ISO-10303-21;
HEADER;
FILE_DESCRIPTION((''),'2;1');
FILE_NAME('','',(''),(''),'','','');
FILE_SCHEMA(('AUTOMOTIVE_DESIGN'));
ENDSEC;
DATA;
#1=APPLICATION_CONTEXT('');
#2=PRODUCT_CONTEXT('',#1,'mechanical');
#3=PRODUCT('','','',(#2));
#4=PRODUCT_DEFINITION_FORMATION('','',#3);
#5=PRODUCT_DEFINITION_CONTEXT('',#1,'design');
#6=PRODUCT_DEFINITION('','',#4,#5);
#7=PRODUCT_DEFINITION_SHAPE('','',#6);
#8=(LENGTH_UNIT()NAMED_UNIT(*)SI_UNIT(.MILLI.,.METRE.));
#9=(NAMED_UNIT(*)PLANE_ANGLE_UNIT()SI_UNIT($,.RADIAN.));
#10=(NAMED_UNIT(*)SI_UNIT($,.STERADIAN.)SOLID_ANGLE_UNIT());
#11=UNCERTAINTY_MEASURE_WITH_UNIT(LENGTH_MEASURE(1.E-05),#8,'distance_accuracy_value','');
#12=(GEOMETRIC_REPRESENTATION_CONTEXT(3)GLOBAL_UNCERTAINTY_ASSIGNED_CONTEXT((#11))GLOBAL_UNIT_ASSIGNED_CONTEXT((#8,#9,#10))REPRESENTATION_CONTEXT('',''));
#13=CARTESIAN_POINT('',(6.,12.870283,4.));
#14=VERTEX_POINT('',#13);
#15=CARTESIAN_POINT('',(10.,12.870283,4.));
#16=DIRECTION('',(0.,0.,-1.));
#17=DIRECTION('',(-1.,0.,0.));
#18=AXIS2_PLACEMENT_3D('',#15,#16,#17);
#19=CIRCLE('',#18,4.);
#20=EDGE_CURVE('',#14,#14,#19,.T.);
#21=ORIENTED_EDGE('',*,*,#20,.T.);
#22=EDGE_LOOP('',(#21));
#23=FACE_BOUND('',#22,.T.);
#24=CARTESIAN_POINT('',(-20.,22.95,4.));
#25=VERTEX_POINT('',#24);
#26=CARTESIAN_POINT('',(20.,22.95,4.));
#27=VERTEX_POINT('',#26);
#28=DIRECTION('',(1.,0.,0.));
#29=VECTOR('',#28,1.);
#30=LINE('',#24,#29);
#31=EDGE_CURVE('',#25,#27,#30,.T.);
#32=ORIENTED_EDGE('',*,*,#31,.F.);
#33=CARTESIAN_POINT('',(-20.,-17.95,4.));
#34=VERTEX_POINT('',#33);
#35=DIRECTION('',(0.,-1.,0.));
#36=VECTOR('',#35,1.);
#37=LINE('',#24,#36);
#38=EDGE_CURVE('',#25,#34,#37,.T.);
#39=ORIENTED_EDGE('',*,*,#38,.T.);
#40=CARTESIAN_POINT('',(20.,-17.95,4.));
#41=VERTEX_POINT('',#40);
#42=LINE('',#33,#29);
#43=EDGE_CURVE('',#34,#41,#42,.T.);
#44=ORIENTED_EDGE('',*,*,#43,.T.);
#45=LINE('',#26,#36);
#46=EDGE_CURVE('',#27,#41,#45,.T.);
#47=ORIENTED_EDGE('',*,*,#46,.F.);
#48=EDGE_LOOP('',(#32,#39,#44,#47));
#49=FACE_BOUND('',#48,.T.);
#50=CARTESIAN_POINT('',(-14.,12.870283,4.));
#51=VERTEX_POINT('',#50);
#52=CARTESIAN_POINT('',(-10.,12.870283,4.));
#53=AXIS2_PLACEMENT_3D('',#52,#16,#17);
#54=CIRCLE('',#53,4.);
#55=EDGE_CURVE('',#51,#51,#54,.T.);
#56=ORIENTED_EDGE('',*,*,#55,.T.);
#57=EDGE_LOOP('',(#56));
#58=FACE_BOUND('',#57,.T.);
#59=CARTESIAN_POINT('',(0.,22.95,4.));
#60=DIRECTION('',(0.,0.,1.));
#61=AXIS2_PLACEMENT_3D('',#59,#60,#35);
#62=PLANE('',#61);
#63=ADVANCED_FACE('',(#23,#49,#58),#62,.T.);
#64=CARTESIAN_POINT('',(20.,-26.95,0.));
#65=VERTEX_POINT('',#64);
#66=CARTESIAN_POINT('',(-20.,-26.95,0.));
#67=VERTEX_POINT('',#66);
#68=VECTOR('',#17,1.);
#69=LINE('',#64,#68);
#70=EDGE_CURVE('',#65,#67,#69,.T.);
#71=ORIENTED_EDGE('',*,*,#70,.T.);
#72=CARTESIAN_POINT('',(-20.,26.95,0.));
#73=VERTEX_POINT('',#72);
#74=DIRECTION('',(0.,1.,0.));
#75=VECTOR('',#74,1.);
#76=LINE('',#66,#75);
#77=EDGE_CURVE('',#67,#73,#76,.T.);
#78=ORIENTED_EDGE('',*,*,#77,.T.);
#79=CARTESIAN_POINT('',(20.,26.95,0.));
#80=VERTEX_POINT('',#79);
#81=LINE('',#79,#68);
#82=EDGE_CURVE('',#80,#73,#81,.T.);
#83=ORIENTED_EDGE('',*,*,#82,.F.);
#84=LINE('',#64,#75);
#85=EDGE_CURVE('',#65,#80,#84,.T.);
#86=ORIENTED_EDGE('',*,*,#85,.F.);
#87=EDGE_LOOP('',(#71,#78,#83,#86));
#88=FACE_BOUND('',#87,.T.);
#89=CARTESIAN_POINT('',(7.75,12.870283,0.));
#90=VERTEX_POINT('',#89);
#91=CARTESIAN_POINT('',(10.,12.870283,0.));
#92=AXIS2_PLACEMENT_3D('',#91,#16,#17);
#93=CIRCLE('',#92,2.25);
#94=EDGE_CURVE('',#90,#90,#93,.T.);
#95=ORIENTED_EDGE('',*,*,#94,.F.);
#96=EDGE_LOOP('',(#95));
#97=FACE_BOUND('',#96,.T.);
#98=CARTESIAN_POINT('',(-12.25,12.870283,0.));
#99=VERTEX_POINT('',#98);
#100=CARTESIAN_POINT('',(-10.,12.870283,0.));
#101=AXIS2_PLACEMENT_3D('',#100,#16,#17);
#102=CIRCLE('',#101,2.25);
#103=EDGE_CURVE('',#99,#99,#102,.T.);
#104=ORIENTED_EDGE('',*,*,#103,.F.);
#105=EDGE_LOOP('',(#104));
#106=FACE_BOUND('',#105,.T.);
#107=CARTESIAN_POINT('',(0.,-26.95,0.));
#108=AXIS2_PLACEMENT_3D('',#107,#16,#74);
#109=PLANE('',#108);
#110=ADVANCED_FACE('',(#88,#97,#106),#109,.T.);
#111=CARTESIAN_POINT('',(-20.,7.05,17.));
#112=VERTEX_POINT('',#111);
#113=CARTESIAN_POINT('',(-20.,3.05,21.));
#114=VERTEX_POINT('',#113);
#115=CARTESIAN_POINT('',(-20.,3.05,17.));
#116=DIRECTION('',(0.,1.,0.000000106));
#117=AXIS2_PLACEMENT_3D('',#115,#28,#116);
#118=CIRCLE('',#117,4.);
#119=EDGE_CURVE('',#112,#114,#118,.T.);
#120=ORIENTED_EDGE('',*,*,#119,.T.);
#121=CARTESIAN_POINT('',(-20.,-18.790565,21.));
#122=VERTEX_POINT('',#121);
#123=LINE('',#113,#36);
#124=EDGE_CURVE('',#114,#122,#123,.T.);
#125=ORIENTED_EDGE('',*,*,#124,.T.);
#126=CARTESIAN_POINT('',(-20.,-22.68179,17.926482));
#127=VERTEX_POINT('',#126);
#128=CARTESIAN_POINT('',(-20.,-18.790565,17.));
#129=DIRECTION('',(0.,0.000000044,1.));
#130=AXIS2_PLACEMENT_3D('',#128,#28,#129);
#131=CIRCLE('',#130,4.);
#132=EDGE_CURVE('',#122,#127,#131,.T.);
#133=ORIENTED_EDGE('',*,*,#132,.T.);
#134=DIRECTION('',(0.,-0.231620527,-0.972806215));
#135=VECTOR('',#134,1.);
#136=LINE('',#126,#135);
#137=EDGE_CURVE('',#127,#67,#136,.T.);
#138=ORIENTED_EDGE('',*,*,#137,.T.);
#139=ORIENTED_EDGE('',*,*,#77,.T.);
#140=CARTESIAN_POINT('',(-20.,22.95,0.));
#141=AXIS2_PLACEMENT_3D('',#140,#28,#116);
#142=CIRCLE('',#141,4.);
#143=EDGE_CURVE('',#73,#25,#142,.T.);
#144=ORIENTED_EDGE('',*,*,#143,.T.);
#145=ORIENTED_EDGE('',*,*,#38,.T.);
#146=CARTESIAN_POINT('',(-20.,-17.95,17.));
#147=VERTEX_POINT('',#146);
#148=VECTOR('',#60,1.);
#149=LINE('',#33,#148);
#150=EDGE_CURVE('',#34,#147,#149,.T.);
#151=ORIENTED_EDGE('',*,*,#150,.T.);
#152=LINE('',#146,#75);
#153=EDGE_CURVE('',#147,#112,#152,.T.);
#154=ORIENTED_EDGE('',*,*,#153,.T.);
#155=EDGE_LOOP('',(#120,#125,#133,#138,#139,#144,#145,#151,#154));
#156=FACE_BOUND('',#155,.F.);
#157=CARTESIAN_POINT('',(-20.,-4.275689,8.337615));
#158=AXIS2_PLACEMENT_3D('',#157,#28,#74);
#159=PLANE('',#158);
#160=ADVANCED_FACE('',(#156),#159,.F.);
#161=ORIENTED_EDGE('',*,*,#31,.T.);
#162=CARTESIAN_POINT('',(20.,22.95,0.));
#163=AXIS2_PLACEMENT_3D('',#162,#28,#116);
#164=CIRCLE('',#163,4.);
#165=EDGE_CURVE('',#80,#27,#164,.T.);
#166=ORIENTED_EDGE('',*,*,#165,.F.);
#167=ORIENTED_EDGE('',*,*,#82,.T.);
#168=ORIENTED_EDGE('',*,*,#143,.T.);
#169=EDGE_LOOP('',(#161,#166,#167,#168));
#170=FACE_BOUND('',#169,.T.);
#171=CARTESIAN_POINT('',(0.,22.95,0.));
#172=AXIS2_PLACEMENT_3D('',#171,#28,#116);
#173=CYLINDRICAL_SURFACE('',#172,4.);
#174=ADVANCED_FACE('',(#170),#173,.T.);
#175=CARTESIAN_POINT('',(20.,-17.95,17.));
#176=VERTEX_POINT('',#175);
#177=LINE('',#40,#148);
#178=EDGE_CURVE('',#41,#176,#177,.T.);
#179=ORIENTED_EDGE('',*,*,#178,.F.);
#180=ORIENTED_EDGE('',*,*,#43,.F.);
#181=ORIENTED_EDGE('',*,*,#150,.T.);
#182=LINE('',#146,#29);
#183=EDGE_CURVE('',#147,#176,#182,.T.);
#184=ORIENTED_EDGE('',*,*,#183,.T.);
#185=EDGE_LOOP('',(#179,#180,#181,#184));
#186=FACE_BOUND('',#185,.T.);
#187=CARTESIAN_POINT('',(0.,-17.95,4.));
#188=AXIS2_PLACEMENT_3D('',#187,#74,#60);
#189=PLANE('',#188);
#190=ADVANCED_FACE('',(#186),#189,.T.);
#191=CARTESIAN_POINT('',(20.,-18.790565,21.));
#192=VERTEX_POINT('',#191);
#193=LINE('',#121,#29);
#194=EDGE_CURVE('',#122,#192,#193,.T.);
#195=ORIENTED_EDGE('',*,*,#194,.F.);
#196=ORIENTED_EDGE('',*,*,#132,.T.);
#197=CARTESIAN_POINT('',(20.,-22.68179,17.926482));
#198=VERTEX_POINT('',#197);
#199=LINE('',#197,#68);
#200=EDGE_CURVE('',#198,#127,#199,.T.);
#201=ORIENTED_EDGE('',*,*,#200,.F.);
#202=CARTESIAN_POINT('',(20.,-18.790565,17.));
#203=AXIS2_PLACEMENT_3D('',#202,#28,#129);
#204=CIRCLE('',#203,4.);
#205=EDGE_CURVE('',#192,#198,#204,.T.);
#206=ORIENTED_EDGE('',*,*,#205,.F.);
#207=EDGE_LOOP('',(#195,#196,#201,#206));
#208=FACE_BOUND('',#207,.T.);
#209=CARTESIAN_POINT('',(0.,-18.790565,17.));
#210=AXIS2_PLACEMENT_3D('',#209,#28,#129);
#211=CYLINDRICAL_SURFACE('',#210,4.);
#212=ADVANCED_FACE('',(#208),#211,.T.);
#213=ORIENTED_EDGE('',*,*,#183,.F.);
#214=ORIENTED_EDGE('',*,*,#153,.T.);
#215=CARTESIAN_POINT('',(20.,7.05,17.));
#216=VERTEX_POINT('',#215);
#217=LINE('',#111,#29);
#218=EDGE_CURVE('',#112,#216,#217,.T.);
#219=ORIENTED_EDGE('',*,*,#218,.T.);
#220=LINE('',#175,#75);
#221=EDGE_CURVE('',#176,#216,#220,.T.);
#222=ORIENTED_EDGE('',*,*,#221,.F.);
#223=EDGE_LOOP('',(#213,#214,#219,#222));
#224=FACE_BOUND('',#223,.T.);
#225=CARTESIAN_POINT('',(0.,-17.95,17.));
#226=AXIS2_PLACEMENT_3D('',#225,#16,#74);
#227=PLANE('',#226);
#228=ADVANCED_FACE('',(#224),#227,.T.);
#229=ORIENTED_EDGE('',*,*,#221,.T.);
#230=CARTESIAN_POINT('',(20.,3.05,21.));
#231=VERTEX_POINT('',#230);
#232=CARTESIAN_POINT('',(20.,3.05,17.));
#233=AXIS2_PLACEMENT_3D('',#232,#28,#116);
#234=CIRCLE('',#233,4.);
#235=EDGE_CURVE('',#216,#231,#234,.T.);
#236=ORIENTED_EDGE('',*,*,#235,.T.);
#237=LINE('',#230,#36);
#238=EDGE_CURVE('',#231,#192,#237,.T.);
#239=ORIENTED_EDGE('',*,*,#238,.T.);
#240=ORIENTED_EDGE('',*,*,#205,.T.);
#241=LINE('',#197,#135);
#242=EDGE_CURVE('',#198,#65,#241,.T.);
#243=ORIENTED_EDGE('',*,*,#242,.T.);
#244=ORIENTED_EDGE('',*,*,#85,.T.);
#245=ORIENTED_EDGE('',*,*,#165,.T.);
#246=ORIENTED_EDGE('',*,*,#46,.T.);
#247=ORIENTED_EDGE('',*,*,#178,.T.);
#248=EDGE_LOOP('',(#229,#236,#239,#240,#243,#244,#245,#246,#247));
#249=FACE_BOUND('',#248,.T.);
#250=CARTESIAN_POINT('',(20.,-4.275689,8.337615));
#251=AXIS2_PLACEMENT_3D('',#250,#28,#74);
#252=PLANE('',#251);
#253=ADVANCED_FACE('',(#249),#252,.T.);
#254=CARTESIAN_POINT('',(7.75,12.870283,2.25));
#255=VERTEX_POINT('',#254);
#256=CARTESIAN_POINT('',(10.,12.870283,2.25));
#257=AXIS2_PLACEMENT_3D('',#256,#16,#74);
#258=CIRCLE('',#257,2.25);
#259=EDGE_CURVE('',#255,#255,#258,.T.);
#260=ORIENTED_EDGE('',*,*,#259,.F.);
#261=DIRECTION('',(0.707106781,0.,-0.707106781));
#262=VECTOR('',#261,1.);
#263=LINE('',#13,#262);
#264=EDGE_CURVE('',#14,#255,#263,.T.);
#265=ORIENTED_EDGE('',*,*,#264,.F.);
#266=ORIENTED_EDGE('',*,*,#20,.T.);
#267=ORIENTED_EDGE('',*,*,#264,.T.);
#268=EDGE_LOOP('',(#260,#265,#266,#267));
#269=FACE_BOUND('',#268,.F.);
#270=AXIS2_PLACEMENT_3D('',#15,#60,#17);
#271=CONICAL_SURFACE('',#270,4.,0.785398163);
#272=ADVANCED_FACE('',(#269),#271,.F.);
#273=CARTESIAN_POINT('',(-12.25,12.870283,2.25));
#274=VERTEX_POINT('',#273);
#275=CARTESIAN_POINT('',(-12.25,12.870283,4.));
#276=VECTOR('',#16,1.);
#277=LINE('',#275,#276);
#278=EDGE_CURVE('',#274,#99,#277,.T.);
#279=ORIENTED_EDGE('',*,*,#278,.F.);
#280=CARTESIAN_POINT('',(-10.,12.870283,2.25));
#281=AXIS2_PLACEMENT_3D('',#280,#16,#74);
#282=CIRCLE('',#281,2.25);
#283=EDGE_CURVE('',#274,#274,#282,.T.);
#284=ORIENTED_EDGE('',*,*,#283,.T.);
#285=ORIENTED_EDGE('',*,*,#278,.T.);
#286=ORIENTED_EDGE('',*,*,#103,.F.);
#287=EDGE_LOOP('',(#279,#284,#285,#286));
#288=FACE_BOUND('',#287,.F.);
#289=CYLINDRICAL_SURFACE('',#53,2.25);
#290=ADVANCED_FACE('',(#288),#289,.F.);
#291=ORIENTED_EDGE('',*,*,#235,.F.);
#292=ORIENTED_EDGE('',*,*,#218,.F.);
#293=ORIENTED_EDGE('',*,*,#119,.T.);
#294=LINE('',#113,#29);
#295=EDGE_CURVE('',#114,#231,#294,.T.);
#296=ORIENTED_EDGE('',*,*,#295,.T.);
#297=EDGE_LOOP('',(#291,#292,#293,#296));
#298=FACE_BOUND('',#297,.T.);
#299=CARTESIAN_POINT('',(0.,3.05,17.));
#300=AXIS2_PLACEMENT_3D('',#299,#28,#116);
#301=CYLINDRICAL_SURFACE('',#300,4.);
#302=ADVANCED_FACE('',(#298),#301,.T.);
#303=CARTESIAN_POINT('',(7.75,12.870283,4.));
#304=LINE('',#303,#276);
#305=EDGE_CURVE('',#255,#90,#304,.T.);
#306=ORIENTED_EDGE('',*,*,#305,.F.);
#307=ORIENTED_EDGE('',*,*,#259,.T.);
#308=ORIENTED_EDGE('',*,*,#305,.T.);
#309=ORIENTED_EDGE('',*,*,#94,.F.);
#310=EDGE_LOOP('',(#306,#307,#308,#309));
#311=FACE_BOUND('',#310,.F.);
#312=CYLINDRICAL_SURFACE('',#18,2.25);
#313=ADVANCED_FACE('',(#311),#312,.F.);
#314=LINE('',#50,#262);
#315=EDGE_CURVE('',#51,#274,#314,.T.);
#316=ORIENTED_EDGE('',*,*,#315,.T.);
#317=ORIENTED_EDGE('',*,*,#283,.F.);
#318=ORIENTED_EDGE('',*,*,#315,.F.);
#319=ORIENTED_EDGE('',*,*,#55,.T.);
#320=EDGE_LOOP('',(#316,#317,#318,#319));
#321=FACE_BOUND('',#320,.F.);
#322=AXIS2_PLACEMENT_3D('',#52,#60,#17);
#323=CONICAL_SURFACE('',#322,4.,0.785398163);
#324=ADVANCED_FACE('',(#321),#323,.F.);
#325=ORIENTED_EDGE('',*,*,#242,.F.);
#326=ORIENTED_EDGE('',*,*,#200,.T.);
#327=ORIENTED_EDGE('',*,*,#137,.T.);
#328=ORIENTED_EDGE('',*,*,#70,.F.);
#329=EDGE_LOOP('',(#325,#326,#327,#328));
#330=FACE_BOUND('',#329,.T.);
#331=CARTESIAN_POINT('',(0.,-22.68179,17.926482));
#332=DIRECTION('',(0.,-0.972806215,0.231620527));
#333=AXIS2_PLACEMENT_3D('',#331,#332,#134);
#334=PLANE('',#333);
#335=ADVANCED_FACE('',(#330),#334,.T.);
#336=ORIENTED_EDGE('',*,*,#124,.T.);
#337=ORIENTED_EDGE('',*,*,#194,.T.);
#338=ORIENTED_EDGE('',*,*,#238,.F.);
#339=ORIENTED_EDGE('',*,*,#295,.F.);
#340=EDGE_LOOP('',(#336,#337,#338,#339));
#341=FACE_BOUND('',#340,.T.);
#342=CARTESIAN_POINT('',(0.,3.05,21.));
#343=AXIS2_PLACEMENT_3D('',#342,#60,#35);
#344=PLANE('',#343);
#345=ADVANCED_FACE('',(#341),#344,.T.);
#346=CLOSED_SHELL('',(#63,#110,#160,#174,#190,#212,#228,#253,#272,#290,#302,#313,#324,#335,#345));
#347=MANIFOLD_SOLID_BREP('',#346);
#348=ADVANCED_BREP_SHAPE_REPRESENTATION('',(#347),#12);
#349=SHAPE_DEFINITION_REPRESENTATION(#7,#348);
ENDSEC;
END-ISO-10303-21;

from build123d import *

# Parameters (mm, degrees)
F1_DEPTH       = 20
F3_D           = 4.5
F3_CSINK_D     = 8
F3_CSINK_ANGLE = 90


with BuildPart() as f1:
    # F0 (on Right) → F1 (new body, symmetric)
    with BuildSketch(Plane.YZ):
        with BuildLine():
            ThreePointArc((26.95, 0), (25.778427, 2.828427), (22.95, 4))
            Line((22.95, 4), (-17.95, 4))
            Line((-17.95, 4), (-17.95, 17))
            Line((-17.95, 17), (7.05, 17))
            ThreePointArc((7.05, 17), (5.878427, 19.828427), (3.05, 21))
            Line((3.05, 21), (-18.790565, 21))
            ThreePointArc((-18.790565, 21), (-21.269887, 20.138943), (-22.68179, 17.926482))
            Line((-22.68179, 17.926482), (-26.95, 0))
            Line((-26.95, 0), (26.95, 0))
        make_face()
    extrude(amount=F1_DEPTH, both=True)

    # F3 (through all)
    with Locations(Plane.XY.offset(4)):
        with Locations((-10, 12.870283), (10, 12.870283)):
            CounterSinkHole(F3_D / 2, F3_CSINK_D / 2, counter_sink_angle=F3_CSINK_ANGLE)


solid = f1.part
